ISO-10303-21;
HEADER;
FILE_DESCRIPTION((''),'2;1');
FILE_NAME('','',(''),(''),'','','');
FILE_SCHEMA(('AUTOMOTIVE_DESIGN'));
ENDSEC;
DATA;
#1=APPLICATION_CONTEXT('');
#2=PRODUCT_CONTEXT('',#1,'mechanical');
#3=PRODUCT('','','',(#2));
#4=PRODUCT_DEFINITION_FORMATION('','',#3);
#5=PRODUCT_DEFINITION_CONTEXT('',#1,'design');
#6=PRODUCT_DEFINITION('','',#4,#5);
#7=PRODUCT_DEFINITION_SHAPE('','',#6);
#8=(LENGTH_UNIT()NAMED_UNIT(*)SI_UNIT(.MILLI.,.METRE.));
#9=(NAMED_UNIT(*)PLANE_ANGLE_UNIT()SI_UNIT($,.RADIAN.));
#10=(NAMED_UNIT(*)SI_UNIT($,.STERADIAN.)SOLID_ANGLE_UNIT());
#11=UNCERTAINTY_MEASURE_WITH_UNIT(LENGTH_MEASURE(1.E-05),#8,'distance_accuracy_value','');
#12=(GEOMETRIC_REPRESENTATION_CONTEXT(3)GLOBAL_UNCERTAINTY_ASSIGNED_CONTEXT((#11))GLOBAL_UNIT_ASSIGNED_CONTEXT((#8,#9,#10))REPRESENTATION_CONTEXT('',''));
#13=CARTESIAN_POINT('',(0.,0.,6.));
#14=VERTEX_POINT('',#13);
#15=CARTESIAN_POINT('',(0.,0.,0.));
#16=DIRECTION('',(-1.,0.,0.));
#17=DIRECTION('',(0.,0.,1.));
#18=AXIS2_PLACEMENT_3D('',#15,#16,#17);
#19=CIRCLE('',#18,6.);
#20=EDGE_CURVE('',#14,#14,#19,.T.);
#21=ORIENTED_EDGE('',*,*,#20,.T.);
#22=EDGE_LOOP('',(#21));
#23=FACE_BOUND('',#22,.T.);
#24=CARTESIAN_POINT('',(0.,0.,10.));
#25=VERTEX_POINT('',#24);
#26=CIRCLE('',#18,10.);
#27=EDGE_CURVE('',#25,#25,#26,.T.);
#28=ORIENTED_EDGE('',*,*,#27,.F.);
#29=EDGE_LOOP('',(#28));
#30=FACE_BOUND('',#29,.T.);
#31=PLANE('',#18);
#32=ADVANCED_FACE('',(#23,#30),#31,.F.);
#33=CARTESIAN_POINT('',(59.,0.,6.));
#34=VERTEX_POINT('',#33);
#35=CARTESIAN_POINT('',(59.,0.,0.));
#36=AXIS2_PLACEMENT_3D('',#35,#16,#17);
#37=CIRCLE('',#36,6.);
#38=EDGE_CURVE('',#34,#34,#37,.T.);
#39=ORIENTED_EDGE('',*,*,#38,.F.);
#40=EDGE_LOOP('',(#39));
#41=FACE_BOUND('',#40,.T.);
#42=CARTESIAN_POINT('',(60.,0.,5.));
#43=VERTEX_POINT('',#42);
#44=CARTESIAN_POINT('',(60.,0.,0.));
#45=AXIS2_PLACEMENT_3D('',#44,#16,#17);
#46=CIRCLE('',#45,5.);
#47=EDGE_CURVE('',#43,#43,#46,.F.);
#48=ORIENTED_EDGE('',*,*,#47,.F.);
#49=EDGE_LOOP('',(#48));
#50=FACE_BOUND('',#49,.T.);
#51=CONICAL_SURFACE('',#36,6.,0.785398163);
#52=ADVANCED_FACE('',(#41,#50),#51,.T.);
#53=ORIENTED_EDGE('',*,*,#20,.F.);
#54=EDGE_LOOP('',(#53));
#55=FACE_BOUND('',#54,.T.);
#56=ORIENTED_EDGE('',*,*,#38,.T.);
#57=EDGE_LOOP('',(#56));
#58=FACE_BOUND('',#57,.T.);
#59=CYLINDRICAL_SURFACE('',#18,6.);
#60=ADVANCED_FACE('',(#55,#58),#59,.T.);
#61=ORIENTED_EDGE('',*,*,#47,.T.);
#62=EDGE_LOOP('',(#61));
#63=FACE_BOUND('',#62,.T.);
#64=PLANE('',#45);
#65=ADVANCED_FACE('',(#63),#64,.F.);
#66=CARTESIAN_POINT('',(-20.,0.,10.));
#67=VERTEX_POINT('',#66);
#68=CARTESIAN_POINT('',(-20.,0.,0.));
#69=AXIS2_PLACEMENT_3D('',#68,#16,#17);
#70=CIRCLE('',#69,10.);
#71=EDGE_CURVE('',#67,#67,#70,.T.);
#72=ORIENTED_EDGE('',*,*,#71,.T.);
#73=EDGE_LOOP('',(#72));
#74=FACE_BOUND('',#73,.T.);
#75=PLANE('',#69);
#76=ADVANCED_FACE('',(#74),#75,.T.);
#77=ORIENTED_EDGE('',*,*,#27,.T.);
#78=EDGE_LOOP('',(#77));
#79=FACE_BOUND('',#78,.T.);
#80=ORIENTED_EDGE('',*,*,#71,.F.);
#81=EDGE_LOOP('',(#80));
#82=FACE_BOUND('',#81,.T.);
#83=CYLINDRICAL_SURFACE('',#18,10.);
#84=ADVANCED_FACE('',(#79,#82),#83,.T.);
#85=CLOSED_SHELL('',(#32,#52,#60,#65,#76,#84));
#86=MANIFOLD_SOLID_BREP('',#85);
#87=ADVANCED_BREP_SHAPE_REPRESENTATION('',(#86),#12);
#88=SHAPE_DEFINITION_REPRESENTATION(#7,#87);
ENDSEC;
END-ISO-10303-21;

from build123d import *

# Parameters (mm, degrees)
SKETCH1_W     = 60
SKETCH1_H     = 6
CHAMFER1_SIZE = 1


with BuildPart() as part:
    # Sketch1 → Revolve1 (revolve)
    with BuildSketch(Plane.XY, mode=Mode.PRIVATE) as revolve1_sk:
        with Locations((30, 3)):
            Rectangle(SKETCH1_W, SKETCH1_H)
        Polygon((-20, 0), (0, 0), (0, 6), (0, 10), (-20, 10), align=None)
    revolve(revolve1_sk.sketch.rotate(Axis((0, 0, 0), (1, 0, 0)), 90), axis=Axis((0, 0, 0), (1, 0, 0)))

    # Chamfer1
    chamfer1_edges = [part.edges().sort_by_distance(p)[0] for p in [
        (60, 0, -6),
    ]]
    chamfer(chamfer1_edges, length=CHAMFER1_SIZE)


solid = part.part
